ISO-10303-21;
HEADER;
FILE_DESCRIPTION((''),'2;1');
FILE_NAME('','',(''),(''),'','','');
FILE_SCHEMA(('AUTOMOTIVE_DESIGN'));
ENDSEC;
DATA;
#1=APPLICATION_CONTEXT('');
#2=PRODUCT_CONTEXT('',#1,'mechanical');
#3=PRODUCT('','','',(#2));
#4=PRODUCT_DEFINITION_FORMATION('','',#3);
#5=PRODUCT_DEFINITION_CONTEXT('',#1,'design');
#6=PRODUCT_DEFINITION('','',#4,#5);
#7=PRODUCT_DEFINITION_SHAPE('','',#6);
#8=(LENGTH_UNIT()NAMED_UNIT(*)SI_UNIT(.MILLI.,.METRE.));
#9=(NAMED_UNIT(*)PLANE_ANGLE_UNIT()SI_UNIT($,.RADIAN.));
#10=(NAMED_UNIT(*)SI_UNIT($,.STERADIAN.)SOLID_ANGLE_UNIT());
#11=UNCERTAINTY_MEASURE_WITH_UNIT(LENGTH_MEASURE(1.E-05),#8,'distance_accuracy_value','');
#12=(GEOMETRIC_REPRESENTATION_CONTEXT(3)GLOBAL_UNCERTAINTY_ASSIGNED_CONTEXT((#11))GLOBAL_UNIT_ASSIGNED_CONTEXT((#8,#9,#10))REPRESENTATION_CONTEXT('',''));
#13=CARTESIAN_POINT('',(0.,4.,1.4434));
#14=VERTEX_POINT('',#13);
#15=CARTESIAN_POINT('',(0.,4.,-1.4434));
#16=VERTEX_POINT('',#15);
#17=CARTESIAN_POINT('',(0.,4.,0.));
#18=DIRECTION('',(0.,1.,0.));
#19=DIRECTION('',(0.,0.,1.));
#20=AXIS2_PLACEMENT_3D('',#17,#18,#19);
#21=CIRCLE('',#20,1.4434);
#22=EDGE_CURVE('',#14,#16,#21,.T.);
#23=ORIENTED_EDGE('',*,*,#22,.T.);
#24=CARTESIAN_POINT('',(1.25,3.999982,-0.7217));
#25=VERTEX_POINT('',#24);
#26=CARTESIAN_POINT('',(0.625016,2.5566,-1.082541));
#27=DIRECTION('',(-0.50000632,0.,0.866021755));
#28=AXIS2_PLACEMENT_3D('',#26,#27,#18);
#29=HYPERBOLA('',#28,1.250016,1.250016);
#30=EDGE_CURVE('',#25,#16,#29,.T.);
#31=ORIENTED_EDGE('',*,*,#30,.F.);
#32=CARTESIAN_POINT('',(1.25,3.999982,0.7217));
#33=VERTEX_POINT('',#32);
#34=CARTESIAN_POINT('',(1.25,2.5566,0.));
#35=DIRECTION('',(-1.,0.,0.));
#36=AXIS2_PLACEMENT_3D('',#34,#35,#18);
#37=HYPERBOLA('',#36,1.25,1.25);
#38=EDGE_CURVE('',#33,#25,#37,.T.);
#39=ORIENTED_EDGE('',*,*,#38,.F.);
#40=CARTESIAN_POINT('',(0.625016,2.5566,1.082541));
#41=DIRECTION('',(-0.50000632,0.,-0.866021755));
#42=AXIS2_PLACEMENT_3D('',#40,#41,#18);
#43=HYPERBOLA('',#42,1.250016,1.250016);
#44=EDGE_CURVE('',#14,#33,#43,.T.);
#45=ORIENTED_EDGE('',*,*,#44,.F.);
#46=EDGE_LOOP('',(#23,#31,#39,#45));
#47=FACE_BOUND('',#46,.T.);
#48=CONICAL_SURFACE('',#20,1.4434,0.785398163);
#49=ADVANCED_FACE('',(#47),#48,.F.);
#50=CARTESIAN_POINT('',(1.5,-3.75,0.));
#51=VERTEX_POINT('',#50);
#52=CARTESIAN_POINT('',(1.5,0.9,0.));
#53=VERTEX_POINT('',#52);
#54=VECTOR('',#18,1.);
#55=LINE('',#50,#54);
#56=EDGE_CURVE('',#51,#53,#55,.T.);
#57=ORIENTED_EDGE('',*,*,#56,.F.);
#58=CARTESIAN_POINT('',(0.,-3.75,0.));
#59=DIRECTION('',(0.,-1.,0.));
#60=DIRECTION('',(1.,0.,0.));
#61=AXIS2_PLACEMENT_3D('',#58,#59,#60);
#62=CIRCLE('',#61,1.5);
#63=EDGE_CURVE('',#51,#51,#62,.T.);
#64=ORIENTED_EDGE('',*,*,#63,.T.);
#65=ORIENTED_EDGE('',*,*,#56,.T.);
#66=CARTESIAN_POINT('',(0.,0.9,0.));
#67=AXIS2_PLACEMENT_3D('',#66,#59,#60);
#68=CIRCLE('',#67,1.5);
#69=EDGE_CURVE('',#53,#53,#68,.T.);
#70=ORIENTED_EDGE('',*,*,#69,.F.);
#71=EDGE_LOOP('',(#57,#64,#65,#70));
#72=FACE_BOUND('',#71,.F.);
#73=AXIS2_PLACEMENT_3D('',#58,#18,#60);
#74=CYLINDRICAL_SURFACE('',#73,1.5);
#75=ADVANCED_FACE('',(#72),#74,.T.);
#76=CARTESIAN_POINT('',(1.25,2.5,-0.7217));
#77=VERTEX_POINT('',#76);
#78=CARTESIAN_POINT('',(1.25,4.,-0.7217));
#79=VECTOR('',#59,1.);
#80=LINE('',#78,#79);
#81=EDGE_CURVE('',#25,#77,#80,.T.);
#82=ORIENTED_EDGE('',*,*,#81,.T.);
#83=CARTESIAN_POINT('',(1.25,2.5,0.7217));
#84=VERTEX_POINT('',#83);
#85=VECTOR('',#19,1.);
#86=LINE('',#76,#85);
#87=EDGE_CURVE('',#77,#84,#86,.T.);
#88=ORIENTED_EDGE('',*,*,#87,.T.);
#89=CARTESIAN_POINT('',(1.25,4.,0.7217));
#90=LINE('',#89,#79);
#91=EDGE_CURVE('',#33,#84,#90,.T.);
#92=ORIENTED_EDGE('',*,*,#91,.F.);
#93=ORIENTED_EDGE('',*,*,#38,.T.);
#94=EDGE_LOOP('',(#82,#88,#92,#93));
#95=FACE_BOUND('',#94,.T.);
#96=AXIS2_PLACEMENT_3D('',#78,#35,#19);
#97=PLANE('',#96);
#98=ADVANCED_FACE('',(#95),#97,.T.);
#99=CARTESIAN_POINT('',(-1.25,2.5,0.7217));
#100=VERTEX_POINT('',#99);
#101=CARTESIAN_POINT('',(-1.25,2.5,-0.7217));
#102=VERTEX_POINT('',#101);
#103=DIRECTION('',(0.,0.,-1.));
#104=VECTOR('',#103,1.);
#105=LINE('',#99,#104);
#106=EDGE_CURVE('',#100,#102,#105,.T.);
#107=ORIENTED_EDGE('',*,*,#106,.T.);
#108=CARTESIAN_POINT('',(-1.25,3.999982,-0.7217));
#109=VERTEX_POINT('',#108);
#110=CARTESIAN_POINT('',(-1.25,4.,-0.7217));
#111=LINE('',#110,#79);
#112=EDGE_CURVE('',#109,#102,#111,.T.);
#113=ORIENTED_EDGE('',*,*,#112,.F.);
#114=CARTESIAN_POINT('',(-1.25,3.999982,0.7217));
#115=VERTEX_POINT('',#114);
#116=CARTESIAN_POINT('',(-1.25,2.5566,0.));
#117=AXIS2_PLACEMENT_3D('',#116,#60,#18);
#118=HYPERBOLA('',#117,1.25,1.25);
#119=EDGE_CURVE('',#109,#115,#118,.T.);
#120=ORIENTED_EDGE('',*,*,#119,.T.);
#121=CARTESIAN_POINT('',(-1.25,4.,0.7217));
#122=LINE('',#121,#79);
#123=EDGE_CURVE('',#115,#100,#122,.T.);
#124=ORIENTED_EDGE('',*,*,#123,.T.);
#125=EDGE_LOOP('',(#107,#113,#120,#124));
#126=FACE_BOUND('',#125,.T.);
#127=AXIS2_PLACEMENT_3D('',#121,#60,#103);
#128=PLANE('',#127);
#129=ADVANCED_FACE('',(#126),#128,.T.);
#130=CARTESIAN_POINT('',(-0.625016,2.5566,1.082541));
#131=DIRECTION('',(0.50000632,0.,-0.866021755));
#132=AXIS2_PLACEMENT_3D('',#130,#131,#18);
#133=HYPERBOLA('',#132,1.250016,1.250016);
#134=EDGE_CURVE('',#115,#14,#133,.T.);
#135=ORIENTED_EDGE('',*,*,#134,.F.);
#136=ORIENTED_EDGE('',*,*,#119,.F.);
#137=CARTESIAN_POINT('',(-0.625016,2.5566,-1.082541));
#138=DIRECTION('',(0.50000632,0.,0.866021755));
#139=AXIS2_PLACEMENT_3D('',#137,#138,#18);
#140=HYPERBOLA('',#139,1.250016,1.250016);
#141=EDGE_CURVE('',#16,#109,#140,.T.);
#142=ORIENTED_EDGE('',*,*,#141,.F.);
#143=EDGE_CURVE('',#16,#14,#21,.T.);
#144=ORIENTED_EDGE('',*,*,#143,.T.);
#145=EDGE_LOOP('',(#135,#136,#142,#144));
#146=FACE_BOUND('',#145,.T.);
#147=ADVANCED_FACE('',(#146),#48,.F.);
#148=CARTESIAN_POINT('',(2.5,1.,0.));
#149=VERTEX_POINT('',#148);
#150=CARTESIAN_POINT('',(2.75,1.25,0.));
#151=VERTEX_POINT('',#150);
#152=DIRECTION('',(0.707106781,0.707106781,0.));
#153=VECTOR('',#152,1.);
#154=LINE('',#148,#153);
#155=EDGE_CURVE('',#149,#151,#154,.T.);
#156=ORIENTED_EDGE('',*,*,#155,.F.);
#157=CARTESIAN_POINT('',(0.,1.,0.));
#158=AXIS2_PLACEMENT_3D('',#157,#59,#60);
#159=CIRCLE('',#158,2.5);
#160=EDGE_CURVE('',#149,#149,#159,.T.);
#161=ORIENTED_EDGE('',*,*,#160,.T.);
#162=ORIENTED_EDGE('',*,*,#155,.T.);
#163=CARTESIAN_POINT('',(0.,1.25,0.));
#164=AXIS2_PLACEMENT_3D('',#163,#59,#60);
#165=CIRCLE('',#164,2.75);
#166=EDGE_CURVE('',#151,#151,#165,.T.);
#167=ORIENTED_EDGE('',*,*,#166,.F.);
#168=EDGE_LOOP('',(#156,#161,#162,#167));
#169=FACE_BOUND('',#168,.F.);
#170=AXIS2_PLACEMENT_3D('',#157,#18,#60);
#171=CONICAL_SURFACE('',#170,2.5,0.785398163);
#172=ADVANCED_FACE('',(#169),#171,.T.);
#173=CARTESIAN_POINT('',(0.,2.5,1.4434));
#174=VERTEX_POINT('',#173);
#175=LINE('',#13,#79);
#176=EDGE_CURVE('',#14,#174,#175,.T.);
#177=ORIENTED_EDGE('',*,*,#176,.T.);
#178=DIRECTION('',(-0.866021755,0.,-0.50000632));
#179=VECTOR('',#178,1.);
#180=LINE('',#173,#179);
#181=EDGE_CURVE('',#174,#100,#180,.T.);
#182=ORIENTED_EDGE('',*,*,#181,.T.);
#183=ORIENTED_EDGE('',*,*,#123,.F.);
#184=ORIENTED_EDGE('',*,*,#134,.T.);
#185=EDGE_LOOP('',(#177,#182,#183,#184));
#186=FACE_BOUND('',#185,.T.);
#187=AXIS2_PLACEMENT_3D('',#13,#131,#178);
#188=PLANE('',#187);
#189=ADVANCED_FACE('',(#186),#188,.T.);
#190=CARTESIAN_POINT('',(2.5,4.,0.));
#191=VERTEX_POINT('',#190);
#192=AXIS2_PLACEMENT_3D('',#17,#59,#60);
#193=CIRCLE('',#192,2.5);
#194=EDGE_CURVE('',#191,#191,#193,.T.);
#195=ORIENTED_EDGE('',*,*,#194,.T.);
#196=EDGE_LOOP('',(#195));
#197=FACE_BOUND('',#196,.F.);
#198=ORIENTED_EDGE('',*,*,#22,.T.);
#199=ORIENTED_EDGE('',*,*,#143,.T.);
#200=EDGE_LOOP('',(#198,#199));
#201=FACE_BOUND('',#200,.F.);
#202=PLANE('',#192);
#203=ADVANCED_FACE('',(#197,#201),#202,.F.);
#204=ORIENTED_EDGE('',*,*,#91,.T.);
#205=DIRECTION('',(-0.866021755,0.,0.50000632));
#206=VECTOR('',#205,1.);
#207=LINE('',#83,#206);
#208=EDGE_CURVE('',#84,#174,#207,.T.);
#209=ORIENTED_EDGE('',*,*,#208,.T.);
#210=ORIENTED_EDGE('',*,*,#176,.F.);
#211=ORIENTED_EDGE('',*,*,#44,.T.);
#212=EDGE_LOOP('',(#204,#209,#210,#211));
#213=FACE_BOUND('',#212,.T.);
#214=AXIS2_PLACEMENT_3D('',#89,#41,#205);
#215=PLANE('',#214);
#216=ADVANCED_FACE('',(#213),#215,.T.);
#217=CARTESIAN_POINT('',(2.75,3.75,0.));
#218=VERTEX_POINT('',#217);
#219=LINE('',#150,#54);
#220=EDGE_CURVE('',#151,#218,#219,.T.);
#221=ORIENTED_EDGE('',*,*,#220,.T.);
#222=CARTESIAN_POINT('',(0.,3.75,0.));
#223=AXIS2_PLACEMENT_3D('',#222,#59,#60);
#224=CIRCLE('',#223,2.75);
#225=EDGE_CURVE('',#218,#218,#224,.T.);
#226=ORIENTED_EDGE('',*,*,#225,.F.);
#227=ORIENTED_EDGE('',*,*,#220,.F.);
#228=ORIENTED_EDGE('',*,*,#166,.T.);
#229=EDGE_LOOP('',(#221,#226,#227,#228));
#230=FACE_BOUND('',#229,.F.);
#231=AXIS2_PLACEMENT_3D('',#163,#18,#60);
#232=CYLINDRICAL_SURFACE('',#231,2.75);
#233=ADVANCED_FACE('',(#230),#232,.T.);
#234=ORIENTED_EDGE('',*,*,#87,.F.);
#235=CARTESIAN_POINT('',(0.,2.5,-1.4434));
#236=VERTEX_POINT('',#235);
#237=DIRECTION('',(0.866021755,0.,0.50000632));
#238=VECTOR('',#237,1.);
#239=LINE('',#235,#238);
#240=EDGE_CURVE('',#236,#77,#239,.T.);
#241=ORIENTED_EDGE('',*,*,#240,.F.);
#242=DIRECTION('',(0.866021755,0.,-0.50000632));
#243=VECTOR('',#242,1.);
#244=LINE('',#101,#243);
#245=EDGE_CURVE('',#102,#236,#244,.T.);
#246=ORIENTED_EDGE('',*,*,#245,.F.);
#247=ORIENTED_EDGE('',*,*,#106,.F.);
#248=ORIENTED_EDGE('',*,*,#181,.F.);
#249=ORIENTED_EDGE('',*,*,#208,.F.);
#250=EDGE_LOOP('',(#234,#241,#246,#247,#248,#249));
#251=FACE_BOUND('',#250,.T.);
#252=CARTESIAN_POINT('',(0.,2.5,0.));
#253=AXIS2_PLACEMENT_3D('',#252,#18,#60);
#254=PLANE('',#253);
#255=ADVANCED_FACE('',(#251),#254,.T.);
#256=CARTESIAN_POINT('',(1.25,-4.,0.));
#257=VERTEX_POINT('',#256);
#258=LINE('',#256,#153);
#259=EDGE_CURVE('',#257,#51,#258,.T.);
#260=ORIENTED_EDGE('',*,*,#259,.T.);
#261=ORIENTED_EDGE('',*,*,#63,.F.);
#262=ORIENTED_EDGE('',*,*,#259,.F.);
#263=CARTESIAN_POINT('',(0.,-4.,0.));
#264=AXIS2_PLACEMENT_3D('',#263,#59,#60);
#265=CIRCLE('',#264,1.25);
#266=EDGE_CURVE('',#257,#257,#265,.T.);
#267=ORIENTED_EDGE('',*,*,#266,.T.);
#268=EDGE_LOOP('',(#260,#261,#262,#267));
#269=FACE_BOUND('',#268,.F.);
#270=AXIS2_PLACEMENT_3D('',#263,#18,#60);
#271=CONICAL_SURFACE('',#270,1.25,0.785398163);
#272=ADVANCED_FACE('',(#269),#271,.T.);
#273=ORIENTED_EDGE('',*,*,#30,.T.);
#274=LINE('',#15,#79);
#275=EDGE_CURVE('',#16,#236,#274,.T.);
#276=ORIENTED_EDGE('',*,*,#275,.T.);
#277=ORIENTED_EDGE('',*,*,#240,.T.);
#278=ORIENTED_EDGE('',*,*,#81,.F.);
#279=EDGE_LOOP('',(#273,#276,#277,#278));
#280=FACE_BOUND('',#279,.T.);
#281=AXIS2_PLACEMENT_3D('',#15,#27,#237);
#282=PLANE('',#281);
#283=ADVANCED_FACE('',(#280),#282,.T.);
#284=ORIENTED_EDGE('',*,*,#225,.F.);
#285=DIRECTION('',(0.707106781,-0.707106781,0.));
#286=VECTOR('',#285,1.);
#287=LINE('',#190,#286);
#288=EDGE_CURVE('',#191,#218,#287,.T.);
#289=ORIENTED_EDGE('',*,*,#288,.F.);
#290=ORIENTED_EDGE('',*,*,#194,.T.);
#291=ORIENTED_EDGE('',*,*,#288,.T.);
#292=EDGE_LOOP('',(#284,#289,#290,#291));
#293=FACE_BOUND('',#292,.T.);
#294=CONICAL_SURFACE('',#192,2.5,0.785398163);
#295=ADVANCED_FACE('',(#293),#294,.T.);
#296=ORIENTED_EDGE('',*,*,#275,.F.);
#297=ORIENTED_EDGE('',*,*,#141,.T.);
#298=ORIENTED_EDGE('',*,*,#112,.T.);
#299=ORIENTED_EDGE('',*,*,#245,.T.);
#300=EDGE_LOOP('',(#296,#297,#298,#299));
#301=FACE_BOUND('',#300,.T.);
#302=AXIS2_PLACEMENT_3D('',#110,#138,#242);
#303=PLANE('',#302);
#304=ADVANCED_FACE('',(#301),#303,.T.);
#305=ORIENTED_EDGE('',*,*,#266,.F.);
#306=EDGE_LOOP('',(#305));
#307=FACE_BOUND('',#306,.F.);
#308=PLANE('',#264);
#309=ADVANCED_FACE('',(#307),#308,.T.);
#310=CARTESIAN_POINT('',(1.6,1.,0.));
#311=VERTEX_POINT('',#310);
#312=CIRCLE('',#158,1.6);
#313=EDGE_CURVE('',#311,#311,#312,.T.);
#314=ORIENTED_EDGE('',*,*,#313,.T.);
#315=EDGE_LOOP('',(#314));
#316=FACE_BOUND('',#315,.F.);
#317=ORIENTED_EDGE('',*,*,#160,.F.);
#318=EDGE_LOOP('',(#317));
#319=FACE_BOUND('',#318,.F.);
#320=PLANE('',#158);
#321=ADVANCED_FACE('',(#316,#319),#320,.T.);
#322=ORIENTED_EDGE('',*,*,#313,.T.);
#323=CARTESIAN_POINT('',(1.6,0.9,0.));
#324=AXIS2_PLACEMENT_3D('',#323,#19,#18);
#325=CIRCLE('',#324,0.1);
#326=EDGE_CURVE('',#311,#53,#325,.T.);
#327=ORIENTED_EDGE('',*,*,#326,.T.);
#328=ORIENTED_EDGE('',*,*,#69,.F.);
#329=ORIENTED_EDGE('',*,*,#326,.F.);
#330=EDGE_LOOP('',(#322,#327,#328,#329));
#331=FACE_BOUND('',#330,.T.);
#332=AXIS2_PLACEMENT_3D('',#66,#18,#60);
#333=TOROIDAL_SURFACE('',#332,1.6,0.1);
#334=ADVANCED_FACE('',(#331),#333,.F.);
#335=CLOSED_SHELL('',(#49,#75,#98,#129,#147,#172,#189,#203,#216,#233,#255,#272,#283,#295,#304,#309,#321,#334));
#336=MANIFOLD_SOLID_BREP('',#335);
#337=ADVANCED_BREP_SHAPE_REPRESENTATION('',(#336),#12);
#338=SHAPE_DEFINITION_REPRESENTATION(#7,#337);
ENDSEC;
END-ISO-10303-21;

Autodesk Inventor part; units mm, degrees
ref_plane "YZ Plane" through (0, 0, 0) normal (1, 0, 0) x (0, 1, 0)
ref_plane "XZ Plane" through (0, 0, 0) normal (0, 1, 0) x (-1, 0, 0)
ref_plane "XY Plane" through (0, 0, 0) normal (0, 0, 1) x (1, 0, 0)
sketch "Sketch1" plane through (0, 0, 0) normal (0, 0, 1) x (1, 0, 0)
  line L0 (0, 4) -> (0, -4)
  line L1 (0, -4) -> (1.25, -4)
  line L2 (1.25, -4) -> (1.5, -3.75)
  line L3 (1.5, -3.75) -> (1.5, 0.9)
  line L4 (1.6, 1) -> (2.5, 1)
  line L5 (2.75, 1.25) -> (2.75, 3.75)
  line L6 (2.5, 4) -> (0, 4)
  arc A0 (1.6, 1) -> (1.5, 0.9) centre (1.6, 0.9) ccw
  line L7 (2.5, 4) -> (2.75, 3.75)
  line L8 (2.5, 1) -> (2.75, 1.25)
  point P0 (0, 0)
  point P1 (2.75, 1)
  point P2 (2.75, 4)
  point P3 (0, 0)
  dimension "d0" = 5.5
  dimension "d1" = 3
  dimension "d3" = 3
  dimension "d4" = 3.2
  dimension "d5" = 135
  dimension "d6" = 0.25
  dimension "d7" = 5
  dimension "d18" = 0.25
revolve "Revolution1" add sketch "Sketch1" angle 360 about axis through (0, 4, 0) along (0, -1, 0)
sketch "Sketch2" plane through (0, 4, 0) normal (0, 1, 0) x (1, 0, 0)
  line L0 (0, -1.4434) -> (-1.25, -0.7217)
  line L1 (-1.25, -0.7217) -> (-1.25, 0.7217)
  line L2 (-1.25, 0.7217) -> (0, 1.4434)
  line L3 (0, 1.4434) -> (1.25, 0.7217)
  line L4 (1.25, 0.7217) -> (1.25, -0.7217)
  line L5 (1.25, -0.7217) -> (0, -1.4434)
  point P0 (0, 0)
  point P1 (0, 0)
  dimension "d11" = 2.5
extrude "Extrusion1" cut sketch "Sketch2" against normal blind 1.5
thread "Thread1" size "M3x0.35" class "6g" standard "ANSI Metric M Profile" full length
sketch "Sketch3" plane through (0, 0, 0) normal (1, 0, 0) x (0, 1, 0)
  line L0 (4, 1.4434) -> (4, 0.7217) projected
  line L1 (4, 1.4434) -> (3.5, 0.9434)
  line L2 (3.5, 0.9434) -> (4, 0.9434)
  line L3 (4, 0.9434) -> (4, 1.4434)
  line L4 (-0.6, 0) -> (3.6, 0) projected
  point P0 (0, 0)
  dimension "d16" = 0.5
revolve "Revolution2" cut sketch "Sketch3" angle 360 about axis through (0, -10, 0) along (0, 1, 0)
properties part number "Bolt_M3x0.35_5mm_SH" material "Stainless Steel"
